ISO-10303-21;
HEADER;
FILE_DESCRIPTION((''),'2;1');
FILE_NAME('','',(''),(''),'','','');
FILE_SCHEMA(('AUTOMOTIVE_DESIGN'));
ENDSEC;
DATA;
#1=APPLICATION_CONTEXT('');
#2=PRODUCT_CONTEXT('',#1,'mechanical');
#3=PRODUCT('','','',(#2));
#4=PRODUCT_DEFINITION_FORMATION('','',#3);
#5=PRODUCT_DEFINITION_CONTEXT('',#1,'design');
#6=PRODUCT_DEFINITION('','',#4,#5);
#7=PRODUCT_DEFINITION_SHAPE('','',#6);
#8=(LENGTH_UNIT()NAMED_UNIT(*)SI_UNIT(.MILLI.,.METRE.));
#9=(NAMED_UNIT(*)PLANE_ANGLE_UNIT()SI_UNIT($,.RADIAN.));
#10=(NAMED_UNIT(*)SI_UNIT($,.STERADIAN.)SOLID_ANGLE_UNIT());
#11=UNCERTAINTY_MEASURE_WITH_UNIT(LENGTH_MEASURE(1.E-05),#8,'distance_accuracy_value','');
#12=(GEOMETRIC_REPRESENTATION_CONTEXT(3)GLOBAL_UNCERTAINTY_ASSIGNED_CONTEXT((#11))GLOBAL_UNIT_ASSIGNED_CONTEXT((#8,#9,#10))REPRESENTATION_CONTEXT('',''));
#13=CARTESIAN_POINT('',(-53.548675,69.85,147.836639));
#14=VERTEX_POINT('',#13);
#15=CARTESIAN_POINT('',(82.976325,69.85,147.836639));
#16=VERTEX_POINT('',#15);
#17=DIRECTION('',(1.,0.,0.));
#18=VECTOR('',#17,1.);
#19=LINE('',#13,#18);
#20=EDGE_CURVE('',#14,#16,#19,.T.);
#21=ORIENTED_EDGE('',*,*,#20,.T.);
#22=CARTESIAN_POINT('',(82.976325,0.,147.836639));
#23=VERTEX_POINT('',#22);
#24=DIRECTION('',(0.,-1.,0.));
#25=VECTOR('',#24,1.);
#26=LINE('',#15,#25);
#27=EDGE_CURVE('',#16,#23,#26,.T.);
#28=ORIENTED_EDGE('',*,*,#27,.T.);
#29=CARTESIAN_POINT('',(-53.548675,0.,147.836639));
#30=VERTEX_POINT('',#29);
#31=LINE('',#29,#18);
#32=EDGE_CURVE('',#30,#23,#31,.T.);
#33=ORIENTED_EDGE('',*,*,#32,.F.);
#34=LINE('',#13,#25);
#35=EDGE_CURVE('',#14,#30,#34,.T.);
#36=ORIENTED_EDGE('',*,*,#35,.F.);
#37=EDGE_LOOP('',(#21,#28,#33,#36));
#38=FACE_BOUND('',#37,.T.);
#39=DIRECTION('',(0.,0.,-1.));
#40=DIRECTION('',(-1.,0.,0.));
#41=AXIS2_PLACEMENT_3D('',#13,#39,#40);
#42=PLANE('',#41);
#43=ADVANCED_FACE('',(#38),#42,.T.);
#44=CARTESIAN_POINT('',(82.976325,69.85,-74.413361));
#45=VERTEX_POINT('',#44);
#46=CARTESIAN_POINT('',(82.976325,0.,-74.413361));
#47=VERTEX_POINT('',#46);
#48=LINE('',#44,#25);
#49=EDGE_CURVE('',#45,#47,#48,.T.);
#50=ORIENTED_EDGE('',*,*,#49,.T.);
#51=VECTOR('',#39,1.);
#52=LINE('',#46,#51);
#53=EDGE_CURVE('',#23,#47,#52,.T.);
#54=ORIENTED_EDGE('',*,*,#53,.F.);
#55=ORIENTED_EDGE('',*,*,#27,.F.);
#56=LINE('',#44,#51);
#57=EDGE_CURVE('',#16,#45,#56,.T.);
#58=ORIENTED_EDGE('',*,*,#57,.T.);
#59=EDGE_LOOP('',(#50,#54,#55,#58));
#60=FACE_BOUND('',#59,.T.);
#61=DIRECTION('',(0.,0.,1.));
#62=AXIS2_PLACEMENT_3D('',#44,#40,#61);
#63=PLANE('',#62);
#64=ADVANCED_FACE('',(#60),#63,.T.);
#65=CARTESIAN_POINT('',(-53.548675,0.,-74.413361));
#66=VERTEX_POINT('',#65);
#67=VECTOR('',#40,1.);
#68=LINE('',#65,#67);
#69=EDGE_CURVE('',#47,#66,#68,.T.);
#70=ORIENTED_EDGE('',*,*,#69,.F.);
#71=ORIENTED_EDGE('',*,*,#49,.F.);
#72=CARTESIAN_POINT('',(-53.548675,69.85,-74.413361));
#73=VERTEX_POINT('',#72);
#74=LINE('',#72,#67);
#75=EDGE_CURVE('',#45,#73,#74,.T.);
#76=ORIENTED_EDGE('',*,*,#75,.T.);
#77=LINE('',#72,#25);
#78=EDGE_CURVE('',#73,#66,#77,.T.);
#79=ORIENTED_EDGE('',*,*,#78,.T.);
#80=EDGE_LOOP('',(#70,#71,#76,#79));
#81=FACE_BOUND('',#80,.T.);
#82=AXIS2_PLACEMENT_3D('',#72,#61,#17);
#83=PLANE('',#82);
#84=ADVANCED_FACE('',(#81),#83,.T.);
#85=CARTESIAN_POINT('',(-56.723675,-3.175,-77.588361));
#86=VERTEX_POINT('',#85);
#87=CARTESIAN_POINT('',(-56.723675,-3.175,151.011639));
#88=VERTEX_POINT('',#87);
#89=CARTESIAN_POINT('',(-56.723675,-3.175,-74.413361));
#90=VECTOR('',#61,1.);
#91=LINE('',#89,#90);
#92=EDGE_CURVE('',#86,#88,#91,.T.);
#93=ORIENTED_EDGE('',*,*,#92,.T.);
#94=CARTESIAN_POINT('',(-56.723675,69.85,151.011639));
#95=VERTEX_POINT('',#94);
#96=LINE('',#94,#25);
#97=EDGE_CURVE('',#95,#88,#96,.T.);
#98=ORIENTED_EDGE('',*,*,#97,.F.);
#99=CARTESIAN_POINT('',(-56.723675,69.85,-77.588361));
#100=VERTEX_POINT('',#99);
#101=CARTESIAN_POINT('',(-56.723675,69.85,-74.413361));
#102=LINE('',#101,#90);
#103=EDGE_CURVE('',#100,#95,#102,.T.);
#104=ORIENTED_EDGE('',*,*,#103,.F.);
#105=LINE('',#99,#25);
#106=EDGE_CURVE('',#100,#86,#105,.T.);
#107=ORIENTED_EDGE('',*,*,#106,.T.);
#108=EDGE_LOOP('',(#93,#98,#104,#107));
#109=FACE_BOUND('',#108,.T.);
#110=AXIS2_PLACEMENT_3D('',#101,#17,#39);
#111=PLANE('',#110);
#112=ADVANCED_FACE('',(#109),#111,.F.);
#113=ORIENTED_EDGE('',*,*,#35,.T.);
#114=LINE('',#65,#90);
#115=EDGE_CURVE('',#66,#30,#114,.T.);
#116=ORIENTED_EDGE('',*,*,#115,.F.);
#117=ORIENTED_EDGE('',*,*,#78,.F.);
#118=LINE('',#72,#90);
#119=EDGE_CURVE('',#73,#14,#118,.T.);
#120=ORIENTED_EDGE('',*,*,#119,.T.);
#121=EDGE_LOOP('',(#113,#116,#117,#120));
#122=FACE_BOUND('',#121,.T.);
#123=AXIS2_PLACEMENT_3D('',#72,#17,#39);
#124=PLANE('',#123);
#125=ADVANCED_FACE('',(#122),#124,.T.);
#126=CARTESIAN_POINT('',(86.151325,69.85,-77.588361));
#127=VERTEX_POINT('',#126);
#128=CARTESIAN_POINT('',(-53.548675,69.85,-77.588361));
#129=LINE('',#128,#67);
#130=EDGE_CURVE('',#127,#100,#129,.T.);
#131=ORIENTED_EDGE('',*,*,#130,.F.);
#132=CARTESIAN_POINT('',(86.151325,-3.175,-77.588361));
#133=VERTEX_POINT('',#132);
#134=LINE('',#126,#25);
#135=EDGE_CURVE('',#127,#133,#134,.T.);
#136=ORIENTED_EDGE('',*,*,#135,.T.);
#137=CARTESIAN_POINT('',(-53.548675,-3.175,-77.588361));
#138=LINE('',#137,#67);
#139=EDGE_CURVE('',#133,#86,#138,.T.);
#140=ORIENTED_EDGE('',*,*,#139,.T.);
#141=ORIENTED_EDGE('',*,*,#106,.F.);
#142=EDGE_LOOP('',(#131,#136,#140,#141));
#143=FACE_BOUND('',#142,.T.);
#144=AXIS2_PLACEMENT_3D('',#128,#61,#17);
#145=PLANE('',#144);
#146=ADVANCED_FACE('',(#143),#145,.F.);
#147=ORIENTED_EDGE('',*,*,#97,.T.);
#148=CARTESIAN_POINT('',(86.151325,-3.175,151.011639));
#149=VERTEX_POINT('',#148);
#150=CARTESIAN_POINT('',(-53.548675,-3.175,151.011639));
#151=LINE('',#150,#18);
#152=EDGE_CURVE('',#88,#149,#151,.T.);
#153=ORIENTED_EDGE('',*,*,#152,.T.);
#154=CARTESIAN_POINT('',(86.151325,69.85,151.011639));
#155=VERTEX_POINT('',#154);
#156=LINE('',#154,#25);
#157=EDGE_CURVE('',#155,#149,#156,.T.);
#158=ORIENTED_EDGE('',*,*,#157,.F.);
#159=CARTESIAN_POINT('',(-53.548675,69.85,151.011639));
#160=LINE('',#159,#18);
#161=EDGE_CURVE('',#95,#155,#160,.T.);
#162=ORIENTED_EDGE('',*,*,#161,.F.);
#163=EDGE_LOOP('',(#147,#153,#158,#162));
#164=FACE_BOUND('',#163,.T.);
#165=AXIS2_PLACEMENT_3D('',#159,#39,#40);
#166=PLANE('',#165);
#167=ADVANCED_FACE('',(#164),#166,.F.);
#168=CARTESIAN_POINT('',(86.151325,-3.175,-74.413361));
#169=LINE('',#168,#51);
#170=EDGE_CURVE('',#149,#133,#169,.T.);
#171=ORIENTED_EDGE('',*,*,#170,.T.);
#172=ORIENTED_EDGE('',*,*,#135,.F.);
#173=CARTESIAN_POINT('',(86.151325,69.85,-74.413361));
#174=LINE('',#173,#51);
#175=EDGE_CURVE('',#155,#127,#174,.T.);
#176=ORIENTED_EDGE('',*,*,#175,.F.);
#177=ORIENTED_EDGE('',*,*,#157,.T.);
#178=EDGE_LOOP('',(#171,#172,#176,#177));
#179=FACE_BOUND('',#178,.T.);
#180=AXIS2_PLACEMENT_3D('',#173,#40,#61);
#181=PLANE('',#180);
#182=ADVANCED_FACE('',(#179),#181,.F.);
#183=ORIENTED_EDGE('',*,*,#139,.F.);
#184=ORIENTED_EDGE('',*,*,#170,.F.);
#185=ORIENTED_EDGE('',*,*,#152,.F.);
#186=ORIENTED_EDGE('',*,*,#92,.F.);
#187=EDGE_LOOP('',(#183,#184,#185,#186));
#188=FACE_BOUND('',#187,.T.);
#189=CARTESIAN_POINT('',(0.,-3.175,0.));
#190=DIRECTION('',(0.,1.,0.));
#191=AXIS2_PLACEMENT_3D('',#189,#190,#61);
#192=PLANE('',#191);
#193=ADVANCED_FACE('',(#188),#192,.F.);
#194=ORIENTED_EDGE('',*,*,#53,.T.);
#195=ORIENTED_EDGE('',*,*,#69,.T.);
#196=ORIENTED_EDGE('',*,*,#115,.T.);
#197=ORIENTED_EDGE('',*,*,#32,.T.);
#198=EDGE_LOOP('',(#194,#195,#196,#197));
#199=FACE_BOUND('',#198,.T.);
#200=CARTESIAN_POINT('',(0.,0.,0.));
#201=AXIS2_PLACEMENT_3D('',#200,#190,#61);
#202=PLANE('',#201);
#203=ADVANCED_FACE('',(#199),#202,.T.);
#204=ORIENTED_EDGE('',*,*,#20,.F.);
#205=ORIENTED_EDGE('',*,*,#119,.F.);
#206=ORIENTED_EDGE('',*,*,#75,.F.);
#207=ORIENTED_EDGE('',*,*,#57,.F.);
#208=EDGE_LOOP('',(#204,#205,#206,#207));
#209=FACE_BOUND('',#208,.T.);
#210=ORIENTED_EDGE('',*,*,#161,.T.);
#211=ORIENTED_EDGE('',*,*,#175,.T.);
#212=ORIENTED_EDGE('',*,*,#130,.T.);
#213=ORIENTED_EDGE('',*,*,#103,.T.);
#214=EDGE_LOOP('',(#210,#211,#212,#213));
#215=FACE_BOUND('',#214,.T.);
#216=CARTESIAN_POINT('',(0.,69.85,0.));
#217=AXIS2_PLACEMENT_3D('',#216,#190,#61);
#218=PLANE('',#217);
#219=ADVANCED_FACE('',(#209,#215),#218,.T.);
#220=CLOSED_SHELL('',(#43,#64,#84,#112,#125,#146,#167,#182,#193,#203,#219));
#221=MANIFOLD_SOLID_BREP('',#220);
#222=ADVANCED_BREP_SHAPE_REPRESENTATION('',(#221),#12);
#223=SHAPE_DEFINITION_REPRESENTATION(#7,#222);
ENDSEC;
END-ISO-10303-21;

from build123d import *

# Parameters (mm, degrees)
SKETCH1_W           = 136.525
SKETCH1_H           = 222.25
BOSS_EXTRUDE1_DEPTH = 69.85
SHELL1_T            = 3.175


with BuildPart() as part:
    # Sketch1 → Boss-Extrude1 (new body)
    with BuildSketch(Plane(origin=(0, 0, 0), x_dir=(1, 0, 0), z_dir=(0, 1, 0))):
        with Locations((14.713825088, -36.711638693)):
            Rectangle(SKETCH1_W, SKETCH1_H)
    extrude(amount=BOSS_EXTRUDE1_DEPTH)

    # Shell1
    shell1_openings = [part.faces().sort_by_distance(p)[0] for p in [
        (14.713825088, 69.85, 36.711638693),
    ]]
    offset(amount=SHELL1_T, openings=shell1_openings, kind=Kind.INTERSECTION)


solid = part.part
